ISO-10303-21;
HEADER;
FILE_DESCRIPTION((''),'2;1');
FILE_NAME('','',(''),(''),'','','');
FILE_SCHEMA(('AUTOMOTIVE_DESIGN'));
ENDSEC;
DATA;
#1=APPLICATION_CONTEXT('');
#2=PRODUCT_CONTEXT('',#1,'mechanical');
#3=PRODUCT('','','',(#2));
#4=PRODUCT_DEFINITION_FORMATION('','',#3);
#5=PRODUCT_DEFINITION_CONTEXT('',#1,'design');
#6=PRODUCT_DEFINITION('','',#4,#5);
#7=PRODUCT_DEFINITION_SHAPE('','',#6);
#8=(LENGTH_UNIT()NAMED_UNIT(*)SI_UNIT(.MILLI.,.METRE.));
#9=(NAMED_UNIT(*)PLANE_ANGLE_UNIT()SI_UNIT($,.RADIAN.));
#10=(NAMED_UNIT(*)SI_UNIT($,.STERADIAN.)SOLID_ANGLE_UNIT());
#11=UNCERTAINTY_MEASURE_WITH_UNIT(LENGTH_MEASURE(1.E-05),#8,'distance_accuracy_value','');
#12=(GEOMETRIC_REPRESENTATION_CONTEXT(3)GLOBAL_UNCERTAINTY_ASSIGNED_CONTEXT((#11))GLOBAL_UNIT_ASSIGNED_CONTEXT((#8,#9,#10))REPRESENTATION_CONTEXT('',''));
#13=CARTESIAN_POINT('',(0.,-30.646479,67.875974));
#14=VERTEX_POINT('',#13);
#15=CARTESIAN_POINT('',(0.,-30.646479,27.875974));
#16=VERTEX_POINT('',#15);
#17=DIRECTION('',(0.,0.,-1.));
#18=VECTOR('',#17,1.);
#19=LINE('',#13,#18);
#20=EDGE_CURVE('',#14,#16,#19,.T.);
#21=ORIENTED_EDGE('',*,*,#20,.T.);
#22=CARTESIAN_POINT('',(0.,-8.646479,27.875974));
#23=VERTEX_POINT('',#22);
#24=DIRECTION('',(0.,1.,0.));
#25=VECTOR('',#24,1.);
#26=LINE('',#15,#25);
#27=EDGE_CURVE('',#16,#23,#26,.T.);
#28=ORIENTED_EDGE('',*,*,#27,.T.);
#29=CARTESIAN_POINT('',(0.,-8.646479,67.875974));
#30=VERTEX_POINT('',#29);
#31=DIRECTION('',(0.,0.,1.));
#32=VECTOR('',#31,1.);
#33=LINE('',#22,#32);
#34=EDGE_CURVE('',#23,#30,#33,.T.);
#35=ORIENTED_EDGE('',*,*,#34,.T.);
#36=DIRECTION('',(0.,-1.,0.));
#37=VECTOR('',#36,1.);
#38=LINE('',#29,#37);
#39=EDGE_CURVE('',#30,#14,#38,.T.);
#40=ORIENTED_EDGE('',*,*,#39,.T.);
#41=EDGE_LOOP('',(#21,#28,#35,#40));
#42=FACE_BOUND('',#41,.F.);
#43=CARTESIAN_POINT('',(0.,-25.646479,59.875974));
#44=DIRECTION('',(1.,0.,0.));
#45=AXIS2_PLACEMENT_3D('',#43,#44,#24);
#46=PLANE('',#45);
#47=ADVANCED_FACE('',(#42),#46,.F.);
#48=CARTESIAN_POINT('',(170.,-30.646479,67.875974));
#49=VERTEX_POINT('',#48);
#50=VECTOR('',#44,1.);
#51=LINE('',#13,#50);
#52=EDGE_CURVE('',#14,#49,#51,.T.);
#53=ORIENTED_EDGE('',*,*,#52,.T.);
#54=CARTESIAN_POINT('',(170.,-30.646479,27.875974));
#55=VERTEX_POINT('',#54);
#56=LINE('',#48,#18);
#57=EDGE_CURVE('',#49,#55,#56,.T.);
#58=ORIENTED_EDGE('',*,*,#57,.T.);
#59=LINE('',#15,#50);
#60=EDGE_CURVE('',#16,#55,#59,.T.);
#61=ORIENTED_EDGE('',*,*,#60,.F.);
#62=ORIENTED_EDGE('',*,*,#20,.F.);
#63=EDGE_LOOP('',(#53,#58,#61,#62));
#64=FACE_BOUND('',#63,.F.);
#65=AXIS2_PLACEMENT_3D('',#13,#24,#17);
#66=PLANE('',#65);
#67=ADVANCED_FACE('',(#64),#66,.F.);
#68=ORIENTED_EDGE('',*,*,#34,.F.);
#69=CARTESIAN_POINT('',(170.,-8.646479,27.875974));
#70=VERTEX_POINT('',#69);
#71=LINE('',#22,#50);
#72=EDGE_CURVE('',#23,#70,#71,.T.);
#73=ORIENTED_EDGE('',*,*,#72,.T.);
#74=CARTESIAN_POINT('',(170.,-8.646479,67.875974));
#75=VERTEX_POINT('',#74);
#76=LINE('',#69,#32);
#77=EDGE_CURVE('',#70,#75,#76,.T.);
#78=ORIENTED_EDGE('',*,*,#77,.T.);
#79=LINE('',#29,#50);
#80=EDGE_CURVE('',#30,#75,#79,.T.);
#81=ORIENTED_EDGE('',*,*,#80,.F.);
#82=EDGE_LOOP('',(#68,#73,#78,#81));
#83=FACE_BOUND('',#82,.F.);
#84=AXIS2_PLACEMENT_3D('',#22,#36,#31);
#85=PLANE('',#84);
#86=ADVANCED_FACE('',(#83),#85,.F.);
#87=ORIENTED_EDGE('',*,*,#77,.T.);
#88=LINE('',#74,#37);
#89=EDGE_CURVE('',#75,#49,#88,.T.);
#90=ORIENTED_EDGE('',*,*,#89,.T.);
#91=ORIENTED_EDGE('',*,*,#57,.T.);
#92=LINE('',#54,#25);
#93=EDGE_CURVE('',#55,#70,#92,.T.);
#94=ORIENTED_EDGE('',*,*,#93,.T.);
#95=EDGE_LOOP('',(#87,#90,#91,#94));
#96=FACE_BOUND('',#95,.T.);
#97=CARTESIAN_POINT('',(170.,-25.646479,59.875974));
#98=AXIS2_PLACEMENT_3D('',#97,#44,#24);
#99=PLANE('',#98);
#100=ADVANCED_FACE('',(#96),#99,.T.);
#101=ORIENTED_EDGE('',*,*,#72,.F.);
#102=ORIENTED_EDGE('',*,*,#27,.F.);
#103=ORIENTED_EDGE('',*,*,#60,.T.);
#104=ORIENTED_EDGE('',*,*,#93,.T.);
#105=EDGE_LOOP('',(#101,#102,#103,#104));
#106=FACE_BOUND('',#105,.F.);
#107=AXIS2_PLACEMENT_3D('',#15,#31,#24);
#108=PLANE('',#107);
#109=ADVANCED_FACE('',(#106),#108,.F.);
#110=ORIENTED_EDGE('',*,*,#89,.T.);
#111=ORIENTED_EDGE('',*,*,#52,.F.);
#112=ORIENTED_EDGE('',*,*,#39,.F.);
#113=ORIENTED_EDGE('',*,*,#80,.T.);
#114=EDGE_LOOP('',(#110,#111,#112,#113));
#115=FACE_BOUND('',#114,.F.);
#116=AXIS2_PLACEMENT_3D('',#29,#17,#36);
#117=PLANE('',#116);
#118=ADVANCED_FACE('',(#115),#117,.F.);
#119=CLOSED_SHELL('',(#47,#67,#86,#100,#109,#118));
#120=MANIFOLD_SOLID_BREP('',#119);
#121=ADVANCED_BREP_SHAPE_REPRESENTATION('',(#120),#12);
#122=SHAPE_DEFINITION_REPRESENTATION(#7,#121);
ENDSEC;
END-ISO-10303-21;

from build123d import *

# Parameters (mm, degrees)
F0_W     = 10
F0_H     = 8
F1_DEPTH = 170


with BuildPart() as f1:
    # F0 (on Right) → F1 (new body)
    with BuildSketch(Plane.YZ):
        with Locations((-25.646479, 59.875974)):
            Rectangle(F0_W, F0_H)
        Polygon((-8.646479, 67.875974), (-30.646479, 67.875974), (-30.646479, 63.875974), (-20.646479, 63.875974), (-20.646479, 55.875974), (-30.646479, 55.875974), (-30.646479, 27.875974), (-8.646479, 27.875974), align=None)
    extrude(amount=F1_DEPTH)


solid = f1.part
